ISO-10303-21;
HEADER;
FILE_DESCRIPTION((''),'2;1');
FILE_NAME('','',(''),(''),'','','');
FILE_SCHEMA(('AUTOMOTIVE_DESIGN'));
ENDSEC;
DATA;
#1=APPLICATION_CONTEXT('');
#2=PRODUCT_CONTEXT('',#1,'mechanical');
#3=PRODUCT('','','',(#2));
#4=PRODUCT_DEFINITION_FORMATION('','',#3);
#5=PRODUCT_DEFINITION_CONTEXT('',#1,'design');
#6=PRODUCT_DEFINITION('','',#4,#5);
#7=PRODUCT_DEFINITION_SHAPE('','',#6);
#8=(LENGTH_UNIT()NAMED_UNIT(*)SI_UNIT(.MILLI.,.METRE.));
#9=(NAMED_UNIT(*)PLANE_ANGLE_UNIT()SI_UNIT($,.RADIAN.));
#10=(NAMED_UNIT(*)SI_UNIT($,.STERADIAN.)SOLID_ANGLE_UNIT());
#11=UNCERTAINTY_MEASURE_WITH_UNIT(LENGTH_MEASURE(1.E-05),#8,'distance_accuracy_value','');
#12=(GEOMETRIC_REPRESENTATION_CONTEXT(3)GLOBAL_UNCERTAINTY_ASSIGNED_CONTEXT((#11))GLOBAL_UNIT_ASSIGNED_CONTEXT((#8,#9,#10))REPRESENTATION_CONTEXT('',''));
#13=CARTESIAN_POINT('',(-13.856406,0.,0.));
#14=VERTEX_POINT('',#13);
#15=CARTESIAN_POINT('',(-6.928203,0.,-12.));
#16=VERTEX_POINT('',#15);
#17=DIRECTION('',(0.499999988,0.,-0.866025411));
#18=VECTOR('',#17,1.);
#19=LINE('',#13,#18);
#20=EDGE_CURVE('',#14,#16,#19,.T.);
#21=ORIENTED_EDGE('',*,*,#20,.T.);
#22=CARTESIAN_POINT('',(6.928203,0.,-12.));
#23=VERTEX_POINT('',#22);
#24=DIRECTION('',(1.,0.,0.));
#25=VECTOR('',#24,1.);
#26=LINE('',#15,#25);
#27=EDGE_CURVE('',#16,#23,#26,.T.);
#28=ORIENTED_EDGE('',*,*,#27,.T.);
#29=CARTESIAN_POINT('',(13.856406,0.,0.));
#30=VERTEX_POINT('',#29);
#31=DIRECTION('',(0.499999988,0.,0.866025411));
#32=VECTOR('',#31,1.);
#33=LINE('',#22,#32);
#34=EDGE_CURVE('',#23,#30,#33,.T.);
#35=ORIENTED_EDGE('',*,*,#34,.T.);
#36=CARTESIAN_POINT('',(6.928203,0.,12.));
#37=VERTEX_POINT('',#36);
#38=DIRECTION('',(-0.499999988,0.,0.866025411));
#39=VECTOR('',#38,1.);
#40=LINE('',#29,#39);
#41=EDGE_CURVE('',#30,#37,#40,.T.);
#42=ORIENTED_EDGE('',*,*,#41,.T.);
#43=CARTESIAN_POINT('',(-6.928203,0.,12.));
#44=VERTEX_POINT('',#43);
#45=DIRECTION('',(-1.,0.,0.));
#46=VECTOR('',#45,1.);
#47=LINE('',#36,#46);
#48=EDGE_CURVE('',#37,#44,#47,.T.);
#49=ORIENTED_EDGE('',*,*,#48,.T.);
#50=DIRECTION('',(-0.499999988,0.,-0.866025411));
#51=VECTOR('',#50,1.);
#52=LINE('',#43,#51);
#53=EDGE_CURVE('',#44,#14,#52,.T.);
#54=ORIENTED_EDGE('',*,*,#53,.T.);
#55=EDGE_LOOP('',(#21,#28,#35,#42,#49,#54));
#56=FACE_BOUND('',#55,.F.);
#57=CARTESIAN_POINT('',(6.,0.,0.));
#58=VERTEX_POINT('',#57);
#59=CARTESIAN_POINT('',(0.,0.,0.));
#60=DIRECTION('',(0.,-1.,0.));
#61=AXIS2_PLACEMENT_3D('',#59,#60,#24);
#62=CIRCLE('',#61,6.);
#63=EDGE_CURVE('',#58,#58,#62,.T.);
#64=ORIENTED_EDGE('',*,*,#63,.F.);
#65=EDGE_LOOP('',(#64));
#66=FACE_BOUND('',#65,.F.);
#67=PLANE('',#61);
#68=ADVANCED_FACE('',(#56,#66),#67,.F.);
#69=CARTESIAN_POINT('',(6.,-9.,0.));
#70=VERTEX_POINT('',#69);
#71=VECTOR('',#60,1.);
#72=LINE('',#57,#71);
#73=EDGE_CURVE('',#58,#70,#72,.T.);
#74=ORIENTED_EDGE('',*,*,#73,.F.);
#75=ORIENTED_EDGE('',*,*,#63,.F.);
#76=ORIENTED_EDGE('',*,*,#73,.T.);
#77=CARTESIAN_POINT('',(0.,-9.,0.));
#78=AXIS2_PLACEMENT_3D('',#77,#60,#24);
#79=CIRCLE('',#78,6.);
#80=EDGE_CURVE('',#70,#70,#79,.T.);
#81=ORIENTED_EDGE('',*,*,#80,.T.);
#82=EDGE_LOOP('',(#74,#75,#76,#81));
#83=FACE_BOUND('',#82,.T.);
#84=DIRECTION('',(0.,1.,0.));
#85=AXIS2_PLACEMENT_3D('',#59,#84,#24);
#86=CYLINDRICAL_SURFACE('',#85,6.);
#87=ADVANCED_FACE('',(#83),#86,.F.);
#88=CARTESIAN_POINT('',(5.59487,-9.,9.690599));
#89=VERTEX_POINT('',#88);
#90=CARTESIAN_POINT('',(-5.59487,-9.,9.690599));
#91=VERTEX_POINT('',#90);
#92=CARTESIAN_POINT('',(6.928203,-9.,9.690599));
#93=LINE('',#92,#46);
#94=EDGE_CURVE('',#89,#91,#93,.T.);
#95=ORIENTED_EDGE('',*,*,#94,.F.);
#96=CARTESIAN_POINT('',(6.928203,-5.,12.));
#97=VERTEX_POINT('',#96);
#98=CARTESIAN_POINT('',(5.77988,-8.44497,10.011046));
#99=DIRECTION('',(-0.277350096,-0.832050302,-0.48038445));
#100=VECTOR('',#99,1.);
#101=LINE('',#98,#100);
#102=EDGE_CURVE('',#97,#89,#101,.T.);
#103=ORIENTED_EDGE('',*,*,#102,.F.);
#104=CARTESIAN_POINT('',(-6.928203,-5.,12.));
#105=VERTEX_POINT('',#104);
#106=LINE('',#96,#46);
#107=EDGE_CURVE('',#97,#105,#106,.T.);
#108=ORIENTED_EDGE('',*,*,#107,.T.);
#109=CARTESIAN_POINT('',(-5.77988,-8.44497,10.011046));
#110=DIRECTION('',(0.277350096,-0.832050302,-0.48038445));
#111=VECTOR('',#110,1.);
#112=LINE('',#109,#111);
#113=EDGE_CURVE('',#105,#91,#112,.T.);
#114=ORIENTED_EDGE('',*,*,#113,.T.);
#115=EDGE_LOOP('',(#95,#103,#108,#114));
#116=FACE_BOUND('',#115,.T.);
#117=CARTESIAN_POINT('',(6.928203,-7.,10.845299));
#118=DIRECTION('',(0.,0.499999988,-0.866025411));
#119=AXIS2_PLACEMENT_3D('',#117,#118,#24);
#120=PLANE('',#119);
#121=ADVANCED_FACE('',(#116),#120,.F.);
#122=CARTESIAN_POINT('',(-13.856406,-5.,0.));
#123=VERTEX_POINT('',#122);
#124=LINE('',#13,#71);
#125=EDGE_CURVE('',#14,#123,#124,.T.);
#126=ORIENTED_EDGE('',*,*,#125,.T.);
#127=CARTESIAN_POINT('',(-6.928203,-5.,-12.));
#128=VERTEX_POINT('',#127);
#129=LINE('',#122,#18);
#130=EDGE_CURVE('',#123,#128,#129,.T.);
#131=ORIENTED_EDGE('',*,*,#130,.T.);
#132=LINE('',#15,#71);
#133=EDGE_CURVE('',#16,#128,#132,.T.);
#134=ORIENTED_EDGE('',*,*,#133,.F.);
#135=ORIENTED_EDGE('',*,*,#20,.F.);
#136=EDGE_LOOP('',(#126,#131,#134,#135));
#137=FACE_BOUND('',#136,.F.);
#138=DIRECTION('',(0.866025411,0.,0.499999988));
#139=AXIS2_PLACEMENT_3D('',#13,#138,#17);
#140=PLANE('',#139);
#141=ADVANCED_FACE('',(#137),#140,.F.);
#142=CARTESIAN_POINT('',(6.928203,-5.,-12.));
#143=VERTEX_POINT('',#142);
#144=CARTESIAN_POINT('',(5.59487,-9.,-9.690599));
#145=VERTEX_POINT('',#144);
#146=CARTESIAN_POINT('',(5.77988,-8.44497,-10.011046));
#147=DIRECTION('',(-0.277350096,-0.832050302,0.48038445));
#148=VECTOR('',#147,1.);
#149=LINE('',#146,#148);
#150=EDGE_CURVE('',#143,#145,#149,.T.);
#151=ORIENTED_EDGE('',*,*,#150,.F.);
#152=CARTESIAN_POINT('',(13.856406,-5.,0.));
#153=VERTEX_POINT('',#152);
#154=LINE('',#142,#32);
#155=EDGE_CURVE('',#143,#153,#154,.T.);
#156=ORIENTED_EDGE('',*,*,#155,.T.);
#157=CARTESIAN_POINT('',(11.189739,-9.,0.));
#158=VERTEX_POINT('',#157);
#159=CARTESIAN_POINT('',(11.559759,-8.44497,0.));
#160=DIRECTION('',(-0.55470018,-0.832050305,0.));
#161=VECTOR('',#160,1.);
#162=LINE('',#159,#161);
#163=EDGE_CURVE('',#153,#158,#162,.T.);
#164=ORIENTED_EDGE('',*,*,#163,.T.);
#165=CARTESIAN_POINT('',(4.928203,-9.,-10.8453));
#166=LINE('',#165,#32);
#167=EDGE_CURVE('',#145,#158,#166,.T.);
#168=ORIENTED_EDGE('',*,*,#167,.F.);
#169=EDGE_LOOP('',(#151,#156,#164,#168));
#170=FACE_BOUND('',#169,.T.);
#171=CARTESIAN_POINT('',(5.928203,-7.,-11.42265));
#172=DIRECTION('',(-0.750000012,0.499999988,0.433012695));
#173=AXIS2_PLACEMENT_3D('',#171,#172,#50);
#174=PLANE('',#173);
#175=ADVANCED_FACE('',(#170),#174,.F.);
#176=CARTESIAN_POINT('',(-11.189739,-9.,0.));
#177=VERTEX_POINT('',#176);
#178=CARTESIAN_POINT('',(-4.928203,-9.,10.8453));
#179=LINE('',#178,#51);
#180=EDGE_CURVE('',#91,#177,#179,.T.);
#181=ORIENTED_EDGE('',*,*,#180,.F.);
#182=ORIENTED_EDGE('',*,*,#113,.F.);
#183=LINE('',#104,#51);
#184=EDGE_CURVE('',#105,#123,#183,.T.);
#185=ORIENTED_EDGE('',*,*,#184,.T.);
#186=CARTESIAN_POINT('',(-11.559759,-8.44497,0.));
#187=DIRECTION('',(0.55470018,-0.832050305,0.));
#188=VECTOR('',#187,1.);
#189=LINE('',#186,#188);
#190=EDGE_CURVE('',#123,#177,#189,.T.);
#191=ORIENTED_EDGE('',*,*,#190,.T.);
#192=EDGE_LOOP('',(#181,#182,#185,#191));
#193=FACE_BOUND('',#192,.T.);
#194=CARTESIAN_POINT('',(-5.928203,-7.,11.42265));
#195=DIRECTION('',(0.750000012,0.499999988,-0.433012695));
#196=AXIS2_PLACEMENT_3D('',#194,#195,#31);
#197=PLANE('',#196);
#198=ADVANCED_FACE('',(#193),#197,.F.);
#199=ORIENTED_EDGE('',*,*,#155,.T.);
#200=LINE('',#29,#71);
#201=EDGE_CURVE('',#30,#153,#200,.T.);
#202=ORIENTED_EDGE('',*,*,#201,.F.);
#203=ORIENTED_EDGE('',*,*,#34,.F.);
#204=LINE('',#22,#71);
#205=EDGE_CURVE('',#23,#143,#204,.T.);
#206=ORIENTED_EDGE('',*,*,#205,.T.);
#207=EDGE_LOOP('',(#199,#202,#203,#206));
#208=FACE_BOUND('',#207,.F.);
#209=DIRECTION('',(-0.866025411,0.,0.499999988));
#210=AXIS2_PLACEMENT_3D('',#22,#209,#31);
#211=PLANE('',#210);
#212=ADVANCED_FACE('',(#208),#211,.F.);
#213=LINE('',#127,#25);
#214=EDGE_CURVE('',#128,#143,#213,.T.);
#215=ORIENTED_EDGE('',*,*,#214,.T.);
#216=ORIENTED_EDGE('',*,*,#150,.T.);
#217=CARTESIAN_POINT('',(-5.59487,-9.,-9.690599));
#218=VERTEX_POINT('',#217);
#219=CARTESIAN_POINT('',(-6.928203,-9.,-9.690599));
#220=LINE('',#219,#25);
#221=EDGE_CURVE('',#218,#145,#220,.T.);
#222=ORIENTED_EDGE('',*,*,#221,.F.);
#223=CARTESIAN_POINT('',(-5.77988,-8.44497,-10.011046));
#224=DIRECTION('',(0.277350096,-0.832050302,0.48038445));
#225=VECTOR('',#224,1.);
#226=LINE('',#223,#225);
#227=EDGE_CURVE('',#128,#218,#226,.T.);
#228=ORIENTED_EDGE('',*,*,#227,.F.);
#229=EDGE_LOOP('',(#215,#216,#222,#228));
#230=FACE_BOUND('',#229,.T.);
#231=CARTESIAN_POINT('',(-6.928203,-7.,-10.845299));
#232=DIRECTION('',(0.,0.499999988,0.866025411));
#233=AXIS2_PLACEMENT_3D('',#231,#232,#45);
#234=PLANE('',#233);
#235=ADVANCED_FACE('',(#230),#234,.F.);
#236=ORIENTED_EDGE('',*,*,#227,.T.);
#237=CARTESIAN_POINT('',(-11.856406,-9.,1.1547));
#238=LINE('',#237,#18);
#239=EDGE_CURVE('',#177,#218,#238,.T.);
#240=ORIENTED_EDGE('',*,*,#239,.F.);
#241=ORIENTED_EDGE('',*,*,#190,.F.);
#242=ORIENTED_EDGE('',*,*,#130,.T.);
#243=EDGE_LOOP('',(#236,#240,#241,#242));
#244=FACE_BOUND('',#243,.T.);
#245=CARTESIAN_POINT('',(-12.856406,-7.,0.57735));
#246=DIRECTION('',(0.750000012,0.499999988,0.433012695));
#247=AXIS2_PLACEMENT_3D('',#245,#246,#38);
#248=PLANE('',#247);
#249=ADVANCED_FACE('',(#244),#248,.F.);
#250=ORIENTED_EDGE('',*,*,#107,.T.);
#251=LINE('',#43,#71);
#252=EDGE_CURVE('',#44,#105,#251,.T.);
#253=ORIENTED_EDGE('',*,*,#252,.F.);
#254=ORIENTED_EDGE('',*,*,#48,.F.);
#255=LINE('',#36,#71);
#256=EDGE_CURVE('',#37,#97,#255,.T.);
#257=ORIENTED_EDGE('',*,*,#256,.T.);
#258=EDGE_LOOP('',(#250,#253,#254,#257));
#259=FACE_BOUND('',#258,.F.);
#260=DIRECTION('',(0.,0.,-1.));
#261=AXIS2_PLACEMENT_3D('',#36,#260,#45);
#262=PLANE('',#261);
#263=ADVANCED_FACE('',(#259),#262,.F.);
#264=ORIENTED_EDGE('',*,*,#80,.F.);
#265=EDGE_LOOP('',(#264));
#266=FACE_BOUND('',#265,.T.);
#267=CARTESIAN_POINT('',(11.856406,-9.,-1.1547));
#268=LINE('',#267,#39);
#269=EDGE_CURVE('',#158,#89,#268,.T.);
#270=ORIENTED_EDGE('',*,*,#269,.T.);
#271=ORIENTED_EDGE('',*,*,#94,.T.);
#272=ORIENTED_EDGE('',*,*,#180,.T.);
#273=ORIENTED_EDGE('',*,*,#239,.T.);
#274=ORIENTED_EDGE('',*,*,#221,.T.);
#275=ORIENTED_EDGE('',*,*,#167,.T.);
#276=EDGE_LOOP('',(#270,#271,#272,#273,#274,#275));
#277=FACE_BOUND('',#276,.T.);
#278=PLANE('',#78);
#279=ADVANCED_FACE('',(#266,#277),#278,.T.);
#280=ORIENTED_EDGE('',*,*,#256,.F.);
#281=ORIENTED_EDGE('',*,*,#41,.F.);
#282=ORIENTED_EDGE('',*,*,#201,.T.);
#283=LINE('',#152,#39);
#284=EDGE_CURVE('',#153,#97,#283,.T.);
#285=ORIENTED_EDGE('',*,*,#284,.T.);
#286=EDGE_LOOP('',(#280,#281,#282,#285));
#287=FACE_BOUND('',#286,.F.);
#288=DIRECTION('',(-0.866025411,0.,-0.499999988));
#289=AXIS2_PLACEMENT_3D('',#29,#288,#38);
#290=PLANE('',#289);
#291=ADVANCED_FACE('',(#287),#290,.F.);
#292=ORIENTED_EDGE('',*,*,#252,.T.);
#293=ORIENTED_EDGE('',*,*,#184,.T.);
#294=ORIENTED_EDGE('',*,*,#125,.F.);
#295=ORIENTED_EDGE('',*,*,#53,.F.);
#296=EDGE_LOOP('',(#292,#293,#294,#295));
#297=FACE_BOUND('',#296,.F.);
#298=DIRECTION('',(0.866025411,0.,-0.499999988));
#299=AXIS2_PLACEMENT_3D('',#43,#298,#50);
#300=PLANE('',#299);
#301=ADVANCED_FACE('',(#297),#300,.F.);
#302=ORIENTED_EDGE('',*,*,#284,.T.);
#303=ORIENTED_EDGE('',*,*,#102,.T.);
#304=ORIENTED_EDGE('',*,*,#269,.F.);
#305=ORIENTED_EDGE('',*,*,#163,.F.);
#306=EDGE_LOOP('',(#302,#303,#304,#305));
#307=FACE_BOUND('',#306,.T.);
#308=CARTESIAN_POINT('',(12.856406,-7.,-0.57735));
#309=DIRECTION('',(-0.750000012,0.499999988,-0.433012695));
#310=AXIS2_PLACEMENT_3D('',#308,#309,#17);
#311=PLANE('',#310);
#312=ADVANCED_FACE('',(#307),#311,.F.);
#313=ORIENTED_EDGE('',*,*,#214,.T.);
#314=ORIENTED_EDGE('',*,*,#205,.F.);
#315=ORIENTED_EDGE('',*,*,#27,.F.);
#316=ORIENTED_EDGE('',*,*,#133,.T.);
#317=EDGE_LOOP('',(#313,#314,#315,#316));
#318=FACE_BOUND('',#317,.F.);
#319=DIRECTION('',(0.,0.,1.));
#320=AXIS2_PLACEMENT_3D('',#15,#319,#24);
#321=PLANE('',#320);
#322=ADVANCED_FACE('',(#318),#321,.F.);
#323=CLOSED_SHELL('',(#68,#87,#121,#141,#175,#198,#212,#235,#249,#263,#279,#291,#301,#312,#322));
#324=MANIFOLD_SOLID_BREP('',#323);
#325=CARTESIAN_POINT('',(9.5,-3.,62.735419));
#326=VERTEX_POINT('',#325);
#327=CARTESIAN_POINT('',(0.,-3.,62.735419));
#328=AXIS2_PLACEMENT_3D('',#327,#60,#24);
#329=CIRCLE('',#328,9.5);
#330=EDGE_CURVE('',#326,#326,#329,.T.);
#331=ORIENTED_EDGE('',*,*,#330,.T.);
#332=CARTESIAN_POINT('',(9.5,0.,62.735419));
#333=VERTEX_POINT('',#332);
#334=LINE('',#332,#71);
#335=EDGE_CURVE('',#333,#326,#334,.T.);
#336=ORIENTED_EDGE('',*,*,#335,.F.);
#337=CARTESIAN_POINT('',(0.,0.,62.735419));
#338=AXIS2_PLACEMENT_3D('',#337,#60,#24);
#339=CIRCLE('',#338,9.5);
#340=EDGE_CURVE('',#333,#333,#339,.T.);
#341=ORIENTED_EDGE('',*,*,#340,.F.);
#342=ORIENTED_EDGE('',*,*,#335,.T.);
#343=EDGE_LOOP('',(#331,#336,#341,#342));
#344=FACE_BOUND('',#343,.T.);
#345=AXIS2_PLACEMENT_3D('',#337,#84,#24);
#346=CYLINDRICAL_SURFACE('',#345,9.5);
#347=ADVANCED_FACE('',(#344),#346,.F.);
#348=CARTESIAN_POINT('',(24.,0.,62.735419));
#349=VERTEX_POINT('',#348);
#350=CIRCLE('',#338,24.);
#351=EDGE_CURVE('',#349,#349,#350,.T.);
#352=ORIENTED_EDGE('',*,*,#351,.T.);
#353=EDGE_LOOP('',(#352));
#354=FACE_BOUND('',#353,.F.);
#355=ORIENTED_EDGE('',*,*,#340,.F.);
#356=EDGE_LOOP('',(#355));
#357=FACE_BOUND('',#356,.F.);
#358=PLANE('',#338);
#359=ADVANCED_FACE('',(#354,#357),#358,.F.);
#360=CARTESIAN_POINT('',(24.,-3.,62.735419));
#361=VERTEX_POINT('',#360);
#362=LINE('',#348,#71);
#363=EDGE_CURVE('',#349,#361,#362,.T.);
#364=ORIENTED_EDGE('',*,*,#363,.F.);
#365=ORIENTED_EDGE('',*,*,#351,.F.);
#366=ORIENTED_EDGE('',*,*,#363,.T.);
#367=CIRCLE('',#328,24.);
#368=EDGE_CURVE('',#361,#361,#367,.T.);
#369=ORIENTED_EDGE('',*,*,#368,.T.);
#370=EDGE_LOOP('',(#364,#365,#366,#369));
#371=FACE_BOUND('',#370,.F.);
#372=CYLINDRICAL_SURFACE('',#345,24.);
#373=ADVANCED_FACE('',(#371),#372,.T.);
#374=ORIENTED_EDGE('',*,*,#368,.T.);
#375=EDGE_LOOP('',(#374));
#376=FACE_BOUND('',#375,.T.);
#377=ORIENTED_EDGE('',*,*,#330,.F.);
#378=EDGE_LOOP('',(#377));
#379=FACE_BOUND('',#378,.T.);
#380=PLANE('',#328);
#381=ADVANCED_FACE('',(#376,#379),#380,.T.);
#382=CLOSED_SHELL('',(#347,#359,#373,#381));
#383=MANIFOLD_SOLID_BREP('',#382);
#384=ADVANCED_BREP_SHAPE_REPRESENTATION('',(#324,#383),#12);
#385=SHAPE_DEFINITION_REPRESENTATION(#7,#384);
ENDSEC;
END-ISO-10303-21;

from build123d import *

# Parameters (mm, degrees)
F0_R     = 6
F1_DEPTH = 9
F2_R     = 24
F2_R_2   = 9.5
F3_DEPTH = 3
F4_SIZE2 = 2.309401
F4_SIZE  = 4


with BuildPart() as f1:
    # F0 (on Front) → F1 (new body)
    with BuildSketch(Plane.XZ):
        Polygon((6.928203, 12), (-6.928203, 12), (-13.856406, 0), (-6.928203, -12), (6.928203, -12), (13.856406, 0), align=None)
        Circle(F0_R, mode=Mode.SUBTRACT)
    extrude(amount=F1_DEPTH)

    # F4
    f4_edges = [f1.edges().sort_by_distance(p)[0] for p in [
        (-10.392305, -9, -6),
        (0, -9, -12),
        (10.392305, -9, -6),
        (10.392305, -9, 6),
        (0, -9, 12),
        (-10.392305, -9, 6),
    ]]
    chamfer(f4_edges, length=F4_SIZE, length2=F4_SIZE2)


with BuildPart() as f3:
    # F2 (on Front) → F3 (new body)
    with BuildSketch(Plane.XZ):
        with Locations((0, 62.735419)):
            Circle(F2_R)
        with Locations((0, 62.735419)):
            Circle(F2_R_2, mode=Mode.SUBTRACT)
    extrude(amount=F3_DEPTH)


solid = Compound([f1.part, f3.part])
